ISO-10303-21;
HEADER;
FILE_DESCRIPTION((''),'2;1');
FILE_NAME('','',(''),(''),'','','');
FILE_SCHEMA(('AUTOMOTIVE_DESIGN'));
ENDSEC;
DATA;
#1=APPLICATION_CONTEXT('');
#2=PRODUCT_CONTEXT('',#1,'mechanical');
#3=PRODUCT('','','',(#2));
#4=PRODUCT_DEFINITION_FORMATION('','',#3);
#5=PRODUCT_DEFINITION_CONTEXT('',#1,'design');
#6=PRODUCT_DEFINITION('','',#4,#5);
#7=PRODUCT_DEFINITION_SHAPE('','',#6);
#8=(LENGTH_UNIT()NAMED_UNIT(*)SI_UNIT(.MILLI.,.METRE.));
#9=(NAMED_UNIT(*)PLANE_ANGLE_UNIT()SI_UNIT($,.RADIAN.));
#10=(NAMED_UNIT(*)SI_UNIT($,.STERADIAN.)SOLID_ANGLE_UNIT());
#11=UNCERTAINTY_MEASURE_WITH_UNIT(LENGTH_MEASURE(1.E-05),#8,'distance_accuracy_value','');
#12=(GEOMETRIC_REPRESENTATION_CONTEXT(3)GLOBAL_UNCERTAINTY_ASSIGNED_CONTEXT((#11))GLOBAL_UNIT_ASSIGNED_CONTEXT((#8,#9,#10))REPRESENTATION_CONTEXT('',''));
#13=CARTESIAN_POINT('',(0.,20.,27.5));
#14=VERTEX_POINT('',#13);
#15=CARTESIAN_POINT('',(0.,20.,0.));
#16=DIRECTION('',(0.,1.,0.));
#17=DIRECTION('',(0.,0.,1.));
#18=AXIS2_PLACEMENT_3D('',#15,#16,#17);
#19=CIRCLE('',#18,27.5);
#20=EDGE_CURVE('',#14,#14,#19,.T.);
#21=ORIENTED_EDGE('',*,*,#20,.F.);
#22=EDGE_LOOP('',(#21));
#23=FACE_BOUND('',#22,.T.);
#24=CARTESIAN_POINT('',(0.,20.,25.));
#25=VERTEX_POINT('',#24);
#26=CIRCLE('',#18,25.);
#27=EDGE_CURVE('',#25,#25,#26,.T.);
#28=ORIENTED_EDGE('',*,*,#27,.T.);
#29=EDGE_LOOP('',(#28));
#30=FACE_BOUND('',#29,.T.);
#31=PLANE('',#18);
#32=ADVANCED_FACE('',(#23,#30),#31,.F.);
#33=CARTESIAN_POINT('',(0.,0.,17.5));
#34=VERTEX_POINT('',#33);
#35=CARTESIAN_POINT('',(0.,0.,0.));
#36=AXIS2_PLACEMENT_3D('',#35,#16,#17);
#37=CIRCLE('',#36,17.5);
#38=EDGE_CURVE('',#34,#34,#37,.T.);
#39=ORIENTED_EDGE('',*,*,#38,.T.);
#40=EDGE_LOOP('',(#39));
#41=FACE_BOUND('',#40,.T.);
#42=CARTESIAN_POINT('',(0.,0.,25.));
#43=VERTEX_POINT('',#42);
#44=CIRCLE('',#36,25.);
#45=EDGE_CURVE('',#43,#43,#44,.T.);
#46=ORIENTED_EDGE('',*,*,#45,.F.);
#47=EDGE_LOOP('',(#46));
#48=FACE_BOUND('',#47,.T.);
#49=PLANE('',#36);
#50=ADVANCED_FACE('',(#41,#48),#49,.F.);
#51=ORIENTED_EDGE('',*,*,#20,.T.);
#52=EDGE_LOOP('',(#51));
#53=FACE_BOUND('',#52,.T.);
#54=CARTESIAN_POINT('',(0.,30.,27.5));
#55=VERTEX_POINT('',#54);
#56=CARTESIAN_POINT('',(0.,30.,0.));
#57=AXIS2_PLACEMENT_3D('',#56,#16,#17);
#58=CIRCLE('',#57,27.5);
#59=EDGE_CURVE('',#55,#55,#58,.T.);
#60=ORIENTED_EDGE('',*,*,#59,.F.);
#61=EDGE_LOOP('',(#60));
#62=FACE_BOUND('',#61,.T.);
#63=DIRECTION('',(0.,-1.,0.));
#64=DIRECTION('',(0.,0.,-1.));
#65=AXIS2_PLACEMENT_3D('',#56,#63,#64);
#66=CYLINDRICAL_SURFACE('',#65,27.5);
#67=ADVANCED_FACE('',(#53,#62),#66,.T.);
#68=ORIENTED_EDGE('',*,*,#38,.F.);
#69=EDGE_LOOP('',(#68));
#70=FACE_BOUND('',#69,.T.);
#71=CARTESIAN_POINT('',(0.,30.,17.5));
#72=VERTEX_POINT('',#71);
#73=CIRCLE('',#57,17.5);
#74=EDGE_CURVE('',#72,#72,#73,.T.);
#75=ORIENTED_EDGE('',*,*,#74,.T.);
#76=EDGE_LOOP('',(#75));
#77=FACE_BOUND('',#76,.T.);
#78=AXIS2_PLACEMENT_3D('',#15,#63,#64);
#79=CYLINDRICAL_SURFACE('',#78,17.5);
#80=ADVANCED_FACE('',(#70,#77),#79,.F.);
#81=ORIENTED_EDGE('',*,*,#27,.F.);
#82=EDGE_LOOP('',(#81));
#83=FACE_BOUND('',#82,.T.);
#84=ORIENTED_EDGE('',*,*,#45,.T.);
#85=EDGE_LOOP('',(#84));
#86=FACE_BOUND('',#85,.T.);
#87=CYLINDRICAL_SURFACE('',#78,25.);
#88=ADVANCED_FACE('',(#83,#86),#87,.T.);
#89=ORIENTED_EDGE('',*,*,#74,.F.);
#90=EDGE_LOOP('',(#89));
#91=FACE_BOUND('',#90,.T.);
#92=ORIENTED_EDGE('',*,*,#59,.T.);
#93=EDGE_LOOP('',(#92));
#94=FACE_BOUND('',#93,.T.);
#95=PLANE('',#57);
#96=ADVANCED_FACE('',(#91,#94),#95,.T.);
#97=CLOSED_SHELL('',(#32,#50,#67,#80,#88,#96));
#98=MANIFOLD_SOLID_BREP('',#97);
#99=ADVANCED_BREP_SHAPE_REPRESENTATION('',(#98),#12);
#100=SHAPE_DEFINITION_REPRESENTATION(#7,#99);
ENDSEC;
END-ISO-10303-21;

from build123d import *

# Parameters (mm, degrees)
SKETCH1_R           = 25
SKETCH1_R_2         = 17.5
BOSS_EXTRUDE1_DEPTH = 20
SKETCH2_R           = 27.5
SKETCH2_R_2         = 17.5
BOSS_EXTRUDE2_DEPTH = 10


with BuildPart() as part:
    # Sketch1 → Boss-Extrude1 (new body)
    with BuildSketch(Plane(origin=(0, 0, 0), x_dir=(1, 0, 0), z_dir=(0, 1, 0))):
        Circle(SKETCH1_R)
        Circle(SKETCH1_R_2, mode=Mode.SUBTRACT)
    extrude(amount=BOSS_EXTRUDE1_DEPTH)

    # Sketch2 → Boss-Extrude2 (add)
    with BuildSketch(Plane(origin=(0, 20, 0), x_dir=(1, 0, 0), z_dir=(0, 1, 0))):
        Circle(SKETCH2_R)
        Circle(SKETCH2_R_2, mode=Mode.SUBTRACT)
    extrude(amount=BOSS_EXTRUDE2_DEPTH)


solid = part.part
